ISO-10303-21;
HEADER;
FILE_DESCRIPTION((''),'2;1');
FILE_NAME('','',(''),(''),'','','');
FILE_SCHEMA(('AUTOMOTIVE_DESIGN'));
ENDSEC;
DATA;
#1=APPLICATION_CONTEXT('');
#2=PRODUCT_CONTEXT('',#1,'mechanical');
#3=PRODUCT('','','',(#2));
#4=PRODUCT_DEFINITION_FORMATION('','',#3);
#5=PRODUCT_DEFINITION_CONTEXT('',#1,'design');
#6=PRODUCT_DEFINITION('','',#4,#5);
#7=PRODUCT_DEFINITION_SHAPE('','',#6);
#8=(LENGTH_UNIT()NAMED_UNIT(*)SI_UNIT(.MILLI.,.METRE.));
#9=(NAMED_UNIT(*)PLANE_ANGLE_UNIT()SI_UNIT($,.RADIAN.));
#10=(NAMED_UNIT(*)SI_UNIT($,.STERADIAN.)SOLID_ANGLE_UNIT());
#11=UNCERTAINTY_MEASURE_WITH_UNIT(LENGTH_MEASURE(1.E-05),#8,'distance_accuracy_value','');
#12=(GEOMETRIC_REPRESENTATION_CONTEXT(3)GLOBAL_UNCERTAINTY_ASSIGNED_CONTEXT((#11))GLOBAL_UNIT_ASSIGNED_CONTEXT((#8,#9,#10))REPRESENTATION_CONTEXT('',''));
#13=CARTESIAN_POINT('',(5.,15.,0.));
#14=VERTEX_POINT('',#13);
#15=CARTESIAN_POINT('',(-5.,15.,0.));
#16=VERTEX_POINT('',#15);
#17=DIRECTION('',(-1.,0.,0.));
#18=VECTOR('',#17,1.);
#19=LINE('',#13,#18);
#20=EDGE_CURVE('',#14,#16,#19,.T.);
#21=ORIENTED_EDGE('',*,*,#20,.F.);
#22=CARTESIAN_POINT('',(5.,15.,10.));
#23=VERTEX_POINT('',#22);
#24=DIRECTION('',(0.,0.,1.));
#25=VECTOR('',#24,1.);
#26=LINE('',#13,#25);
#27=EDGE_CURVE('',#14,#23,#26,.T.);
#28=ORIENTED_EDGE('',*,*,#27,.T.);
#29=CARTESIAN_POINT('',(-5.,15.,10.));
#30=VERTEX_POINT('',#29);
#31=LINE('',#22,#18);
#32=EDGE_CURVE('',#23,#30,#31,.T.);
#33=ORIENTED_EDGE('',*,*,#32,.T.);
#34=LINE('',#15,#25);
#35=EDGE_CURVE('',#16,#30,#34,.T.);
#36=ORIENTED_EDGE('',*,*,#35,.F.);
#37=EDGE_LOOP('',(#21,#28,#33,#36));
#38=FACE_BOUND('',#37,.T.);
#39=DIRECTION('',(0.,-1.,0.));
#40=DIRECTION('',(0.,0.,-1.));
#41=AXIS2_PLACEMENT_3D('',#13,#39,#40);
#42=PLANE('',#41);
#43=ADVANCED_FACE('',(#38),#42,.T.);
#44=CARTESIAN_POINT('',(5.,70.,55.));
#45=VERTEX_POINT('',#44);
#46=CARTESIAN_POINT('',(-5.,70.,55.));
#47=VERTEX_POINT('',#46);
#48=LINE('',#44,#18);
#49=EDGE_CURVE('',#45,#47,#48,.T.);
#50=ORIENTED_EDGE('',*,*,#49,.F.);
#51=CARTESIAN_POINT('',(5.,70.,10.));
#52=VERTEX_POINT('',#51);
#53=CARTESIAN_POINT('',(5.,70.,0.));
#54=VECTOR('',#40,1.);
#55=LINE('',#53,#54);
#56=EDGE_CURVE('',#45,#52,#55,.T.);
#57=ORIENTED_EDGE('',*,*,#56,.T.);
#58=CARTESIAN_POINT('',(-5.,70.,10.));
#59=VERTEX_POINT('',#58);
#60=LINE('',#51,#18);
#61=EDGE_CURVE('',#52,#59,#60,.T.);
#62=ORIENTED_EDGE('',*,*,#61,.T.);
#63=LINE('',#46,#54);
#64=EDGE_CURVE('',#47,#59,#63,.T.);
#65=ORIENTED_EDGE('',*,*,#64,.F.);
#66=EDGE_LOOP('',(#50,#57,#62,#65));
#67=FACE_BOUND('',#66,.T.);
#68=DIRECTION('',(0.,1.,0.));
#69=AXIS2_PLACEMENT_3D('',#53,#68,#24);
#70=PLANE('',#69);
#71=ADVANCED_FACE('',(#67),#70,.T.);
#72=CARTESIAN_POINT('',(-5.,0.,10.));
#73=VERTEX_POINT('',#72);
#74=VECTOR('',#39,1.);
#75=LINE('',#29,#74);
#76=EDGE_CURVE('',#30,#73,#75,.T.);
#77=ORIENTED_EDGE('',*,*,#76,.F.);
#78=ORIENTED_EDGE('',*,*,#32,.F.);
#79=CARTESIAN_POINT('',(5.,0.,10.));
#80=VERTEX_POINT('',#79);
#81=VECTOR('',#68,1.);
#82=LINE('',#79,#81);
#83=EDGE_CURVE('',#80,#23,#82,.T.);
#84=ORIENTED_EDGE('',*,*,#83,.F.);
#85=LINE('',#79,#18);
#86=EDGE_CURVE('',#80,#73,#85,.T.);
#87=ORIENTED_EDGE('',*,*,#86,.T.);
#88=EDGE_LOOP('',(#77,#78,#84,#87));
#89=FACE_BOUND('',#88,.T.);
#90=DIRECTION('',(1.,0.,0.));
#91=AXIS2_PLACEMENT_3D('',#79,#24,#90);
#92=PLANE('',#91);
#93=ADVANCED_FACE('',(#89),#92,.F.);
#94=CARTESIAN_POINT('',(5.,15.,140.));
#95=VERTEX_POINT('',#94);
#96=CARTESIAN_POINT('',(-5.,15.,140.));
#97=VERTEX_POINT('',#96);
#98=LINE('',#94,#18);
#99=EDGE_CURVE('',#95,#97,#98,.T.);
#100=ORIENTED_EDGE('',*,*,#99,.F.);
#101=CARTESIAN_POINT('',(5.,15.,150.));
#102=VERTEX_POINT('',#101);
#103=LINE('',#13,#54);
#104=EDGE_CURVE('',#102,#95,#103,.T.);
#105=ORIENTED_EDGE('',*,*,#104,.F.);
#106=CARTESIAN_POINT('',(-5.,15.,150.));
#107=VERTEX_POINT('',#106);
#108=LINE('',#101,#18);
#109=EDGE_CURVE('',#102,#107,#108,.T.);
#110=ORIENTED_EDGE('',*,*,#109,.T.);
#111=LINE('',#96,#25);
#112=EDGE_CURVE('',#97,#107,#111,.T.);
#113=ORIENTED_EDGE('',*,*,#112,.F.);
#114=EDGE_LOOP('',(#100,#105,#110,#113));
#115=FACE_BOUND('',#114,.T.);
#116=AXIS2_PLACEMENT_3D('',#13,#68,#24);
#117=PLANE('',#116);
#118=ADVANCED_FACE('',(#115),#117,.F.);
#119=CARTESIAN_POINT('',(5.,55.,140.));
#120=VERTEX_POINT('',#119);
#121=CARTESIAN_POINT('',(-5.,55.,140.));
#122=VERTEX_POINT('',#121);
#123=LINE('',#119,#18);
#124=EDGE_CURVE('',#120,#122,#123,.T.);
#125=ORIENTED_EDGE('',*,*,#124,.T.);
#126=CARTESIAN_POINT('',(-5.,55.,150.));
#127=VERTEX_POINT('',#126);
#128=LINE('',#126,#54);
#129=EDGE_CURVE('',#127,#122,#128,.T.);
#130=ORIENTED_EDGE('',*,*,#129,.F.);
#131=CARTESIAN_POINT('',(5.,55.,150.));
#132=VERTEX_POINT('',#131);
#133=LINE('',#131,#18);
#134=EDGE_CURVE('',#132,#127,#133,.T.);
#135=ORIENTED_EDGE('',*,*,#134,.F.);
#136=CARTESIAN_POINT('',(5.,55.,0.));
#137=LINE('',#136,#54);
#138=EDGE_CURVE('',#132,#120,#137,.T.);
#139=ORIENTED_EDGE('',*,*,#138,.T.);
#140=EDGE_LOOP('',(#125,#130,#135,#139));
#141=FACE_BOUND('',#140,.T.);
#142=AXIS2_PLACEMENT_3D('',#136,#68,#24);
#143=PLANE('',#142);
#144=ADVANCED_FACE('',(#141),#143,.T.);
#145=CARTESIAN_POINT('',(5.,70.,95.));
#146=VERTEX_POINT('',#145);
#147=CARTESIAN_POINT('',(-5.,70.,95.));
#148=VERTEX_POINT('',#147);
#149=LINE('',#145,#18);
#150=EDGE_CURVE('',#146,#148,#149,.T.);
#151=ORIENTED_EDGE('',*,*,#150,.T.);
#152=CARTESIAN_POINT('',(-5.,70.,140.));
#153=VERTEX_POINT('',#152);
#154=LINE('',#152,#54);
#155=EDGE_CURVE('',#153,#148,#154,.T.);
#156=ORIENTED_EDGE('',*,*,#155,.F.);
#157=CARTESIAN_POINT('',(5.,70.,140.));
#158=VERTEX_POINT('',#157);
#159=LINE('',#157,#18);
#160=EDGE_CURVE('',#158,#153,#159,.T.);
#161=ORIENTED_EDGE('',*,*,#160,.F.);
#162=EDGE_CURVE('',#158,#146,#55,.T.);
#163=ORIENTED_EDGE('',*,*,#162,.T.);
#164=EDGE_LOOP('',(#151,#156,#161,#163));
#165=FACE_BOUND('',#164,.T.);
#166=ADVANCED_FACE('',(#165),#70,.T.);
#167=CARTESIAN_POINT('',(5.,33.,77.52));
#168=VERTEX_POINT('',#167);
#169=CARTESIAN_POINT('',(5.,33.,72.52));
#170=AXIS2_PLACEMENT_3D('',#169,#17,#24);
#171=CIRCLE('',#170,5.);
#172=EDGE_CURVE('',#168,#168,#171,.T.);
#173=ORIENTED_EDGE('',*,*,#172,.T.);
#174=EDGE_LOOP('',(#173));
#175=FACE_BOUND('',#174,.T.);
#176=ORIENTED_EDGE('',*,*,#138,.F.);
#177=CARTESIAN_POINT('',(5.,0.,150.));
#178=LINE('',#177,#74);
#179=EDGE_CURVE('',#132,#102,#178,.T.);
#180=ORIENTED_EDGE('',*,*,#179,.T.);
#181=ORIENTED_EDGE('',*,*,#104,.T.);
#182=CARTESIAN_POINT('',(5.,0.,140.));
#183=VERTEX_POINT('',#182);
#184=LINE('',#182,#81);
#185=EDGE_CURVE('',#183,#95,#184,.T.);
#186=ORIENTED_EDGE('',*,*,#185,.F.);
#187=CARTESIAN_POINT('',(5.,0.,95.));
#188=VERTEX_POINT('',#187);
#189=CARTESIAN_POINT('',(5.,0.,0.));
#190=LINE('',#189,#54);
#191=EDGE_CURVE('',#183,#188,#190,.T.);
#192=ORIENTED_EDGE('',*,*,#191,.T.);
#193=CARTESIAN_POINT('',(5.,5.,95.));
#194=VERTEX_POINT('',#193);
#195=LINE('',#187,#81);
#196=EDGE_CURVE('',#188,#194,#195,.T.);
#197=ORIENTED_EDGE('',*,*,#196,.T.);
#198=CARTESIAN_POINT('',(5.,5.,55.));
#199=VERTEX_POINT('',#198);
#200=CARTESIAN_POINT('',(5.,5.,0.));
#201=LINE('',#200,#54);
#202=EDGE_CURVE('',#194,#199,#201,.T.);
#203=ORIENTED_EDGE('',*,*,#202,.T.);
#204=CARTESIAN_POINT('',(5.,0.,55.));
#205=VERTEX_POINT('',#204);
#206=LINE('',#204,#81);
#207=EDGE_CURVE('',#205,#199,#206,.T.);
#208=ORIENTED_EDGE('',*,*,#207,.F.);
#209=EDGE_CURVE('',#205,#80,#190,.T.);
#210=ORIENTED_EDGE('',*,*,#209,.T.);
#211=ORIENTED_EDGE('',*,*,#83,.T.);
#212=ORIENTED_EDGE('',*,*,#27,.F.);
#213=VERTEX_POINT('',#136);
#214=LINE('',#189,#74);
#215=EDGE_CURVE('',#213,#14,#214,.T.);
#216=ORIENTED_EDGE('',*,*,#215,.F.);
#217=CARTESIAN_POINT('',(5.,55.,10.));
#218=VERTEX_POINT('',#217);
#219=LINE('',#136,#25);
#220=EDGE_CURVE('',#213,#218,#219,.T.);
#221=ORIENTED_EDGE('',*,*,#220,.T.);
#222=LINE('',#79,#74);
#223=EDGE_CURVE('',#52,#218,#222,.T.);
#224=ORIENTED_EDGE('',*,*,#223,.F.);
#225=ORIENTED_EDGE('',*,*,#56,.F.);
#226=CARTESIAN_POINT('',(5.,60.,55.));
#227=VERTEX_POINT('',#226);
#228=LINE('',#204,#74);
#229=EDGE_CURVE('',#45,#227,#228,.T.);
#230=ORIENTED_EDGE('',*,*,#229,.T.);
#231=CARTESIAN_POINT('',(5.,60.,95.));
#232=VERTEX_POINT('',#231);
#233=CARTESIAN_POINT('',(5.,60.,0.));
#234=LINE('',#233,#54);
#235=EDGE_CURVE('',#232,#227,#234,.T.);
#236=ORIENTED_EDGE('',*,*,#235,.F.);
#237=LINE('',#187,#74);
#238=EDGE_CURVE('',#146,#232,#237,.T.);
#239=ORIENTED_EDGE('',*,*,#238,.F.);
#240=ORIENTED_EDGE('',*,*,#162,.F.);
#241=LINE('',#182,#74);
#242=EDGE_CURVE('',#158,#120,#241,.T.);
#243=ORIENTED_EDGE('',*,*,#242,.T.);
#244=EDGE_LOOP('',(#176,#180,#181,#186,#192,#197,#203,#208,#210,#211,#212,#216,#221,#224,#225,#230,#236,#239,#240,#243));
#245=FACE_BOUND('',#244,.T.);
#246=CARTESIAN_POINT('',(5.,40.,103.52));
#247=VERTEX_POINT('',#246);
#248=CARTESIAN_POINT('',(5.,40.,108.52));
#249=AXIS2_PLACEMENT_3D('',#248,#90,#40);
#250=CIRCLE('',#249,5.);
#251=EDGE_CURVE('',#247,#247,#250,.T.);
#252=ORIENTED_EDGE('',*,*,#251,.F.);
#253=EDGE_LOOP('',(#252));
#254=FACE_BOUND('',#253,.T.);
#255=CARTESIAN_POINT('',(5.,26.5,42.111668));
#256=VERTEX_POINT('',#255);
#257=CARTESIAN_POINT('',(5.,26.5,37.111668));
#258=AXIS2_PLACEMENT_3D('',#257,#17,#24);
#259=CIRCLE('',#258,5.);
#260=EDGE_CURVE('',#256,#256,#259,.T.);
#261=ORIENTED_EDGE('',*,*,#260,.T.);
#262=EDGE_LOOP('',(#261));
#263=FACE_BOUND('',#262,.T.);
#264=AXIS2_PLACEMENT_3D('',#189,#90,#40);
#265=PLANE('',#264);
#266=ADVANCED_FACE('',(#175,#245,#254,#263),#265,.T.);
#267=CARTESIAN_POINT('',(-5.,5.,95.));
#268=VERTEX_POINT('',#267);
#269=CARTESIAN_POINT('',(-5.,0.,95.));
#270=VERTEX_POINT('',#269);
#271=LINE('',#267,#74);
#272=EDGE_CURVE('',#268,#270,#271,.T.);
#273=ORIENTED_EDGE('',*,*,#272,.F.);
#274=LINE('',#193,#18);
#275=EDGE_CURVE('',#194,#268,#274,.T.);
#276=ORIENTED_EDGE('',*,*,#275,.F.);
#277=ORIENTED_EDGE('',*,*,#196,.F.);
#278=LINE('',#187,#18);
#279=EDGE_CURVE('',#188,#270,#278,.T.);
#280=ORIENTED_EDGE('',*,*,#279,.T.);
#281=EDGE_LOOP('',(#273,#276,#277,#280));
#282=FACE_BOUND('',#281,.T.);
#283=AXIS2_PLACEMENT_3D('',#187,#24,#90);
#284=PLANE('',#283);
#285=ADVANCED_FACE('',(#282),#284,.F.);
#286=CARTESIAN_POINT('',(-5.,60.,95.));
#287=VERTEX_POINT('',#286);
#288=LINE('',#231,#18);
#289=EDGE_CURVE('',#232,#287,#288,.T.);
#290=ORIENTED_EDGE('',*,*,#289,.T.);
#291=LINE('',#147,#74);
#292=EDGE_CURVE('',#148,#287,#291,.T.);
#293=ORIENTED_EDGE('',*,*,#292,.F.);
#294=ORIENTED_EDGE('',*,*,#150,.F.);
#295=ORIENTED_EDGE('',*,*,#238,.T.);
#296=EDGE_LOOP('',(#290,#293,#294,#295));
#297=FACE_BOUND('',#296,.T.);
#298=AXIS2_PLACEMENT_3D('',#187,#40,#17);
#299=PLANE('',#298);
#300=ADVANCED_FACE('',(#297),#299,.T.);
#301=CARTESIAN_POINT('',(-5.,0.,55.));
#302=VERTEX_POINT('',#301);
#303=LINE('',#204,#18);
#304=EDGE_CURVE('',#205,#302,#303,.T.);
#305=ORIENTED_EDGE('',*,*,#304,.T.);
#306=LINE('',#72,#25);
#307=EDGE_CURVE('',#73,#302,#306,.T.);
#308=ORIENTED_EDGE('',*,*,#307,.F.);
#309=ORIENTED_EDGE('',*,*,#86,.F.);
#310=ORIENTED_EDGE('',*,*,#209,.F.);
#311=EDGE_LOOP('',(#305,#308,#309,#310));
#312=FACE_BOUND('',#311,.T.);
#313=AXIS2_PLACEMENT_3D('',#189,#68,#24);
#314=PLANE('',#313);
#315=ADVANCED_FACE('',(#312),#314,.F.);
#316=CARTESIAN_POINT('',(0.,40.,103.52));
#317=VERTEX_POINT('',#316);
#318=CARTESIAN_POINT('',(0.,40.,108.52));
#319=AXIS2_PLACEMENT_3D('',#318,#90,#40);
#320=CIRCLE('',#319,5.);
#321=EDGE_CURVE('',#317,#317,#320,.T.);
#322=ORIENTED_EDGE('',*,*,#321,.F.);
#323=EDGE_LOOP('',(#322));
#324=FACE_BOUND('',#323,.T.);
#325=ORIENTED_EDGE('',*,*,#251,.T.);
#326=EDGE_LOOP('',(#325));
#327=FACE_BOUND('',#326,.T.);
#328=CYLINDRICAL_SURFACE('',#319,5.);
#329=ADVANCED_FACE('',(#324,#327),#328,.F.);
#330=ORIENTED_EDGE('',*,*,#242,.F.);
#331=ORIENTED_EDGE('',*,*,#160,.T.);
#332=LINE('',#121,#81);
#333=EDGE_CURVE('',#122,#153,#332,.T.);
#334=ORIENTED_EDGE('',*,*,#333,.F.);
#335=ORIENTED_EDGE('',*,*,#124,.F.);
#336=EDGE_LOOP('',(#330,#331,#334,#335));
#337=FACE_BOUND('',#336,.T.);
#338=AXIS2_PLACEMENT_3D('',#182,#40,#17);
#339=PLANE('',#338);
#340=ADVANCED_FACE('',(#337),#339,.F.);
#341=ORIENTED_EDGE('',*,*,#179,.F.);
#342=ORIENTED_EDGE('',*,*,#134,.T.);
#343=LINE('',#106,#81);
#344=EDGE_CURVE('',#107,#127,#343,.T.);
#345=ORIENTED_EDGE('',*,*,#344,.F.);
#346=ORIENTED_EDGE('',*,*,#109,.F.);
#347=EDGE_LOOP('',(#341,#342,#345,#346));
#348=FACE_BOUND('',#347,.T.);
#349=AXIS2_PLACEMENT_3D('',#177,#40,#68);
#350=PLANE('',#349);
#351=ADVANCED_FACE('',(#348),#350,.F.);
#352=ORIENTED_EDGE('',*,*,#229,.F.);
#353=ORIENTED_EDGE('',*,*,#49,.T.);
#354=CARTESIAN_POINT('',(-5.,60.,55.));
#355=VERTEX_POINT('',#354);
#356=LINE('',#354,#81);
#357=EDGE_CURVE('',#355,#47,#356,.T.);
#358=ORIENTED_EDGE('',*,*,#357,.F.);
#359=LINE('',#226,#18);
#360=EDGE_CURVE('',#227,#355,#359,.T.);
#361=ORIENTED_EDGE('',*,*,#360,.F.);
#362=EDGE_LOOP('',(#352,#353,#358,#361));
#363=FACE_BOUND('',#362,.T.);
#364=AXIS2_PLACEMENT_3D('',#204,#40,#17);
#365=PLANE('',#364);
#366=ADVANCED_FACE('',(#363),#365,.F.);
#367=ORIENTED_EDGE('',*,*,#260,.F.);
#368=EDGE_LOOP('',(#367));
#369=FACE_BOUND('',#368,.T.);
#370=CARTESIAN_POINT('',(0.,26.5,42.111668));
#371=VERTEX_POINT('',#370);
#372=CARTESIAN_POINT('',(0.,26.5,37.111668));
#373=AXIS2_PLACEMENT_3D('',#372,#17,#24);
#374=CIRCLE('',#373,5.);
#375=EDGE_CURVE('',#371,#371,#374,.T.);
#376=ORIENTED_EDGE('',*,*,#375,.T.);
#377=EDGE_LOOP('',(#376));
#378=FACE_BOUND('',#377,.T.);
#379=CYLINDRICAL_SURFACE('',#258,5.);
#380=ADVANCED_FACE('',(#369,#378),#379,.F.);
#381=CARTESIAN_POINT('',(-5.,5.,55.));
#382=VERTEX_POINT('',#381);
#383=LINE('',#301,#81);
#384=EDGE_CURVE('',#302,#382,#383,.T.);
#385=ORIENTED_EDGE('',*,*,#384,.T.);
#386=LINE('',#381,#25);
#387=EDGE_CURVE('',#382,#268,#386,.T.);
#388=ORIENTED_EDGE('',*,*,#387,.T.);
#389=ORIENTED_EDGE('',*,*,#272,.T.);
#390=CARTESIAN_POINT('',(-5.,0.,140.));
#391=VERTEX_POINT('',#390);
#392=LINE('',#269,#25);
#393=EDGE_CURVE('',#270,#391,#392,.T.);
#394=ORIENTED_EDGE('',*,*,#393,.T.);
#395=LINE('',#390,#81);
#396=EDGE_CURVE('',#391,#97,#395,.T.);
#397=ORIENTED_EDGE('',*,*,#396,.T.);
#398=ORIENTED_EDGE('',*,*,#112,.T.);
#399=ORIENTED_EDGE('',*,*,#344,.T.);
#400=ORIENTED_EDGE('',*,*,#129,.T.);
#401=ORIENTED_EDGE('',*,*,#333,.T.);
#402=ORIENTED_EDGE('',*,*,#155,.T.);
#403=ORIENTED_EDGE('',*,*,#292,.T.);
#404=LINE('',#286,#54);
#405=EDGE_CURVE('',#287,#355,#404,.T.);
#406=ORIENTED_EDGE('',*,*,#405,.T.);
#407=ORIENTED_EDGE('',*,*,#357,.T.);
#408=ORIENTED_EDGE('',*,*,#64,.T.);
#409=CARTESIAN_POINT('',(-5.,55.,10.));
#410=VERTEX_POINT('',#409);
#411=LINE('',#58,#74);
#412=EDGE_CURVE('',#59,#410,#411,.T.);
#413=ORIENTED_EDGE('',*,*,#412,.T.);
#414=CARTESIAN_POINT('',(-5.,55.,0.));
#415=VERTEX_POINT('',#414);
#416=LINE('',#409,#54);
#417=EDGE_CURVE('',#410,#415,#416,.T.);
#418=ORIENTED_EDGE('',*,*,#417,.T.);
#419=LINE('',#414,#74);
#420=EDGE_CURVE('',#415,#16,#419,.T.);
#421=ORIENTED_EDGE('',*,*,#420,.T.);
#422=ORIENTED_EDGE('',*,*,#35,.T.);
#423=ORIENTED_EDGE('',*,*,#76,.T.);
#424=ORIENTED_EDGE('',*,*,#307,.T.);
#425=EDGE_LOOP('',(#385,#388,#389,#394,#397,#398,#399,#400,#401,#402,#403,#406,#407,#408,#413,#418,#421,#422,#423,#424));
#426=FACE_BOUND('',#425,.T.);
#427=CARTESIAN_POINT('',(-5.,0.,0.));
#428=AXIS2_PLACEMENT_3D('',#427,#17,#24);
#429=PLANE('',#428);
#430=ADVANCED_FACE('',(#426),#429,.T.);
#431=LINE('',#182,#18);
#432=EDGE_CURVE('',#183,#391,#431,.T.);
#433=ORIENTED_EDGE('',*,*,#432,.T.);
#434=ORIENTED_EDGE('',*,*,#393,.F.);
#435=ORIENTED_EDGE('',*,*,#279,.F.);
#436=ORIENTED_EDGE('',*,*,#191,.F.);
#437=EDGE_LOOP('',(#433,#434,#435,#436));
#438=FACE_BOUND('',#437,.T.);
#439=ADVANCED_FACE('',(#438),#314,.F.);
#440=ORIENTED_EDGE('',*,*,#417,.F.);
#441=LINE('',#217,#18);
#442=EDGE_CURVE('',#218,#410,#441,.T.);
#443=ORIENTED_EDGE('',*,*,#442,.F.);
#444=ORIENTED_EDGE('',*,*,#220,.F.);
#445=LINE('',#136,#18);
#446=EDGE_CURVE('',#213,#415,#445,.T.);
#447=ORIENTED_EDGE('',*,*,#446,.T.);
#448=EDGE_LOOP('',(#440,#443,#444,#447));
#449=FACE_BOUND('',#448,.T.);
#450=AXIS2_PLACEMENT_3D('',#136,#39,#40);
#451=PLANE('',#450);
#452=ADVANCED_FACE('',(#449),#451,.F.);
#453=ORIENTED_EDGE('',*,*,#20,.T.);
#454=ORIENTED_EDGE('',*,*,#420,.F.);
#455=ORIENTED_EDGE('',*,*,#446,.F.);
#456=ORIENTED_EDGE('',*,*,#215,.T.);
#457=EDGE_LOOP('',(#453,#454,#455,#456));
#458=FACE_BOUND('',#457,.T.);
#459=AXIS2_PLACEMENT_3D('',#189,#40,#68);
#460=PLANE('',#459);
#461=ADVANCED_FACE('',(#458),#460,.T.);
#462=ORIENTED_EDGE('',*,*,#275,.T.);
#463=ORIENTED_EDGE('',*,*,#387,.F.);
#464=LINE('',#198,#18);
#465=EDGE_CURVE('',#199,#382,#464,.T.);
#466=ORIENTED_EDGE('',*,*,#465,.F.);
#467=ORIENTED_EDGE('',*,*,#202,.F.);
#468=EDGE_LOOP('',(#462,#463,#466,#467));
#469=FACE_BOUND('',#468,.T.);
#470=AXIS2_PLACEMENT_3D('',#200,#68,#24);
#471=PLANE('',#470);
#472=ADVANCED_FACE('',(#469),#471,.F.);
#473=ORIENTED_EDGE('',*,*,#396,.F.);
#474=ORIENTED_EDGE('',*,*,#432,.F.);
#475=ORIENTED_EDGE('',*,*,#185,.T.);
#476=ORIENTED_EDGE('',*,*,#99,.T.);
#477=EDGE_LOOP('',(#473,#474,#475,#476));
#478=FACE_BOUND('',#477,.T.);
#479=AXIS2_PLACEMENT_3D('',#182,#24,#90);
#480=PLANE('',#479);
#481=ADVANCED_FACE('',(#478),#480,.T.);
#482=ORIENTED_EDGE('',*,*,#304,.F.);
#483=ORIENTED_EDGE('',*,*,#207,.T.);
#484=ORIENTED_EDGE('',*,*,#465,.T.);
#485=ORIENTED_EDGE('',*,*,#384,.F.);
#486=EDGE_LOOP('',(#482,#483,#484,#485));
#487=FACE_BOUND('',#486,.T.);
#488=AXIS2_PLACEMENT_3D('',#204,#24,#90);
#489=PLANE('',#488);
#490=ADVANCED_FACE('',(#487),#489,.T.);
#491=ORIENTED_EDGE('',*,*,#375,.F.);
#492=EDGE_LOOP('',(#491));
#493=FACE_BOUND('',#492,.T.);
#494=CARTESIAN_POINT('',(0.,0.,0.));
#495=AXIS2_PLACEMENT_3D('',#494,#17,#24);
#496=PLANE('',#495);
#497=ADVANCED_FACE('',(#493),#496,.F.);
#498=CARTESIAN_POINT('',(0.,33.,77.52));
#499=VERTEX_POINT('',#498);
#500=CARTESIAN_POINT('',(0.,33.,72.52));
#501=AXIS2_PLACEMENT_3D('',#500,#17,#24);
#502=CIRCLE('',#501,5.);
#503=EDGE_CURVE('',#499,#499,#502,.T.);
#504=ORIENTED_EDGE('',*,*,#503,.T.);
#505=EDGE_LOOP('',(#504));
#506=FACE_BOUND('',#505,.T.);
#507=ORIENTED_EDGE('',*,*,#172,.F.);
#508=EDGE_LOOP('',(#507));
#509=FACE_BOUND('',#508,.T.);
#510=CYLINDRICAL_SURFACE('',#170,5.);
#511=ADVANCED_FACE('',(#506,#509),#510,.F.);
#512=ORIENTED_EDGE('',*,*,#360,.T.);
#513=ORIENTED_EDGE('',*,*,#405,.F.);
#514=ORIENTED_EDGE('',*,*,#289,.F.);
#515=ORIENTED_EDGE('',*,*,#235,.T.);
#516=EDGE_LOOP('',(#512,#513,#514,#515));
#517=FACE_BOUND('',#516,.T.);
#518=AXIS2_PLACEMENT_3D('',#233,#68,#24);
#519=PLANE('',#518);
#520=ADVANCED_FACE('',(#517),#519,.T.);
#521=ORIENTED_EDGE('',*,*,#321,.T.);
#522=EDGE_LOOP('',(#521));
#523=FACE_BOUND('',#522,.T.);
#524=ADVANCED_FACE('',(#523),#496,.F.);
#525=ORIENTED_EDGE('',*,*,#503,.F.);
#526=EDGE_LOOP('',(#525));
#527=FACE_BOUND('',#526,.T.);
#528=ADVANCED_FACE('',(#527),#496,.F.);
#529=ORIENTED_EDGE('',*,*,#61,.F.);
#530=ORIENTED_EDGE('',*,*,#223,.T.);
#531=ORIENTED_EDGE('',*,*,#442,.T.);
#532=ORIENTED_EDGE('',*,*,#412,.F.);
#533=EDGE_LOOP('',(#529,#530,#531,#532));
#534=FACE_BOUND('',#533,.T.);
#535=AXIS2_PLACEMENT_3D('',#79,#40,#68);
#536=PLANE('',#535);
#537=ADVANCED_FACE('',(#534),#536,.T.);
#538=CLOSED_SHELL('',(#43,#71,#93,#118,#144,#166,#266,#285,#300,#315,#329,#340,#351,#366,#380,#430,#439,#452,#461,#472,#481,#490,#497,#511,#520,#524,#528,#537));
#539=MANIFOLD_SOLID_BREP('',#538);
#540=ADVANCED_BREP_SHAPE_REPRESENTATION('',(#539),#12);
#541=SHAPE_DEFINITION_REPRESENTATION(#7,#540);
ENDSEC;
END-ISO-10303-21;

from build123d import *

# Parameters (mm, degrees)
BOSS_EXTRUDE1_DEPTH = 5
SKETCH5_R           = 5
CUT_EXTRUDE4_DEPTH  = 5
SKETCH2_R           = 5
CUT_EXTRUDE5_DEPTH  = 5
BOSS_EXTRUDE2_DEPTH = 5


with BuildPart() as part:
    # Sketch1 → Boss-Extrude1 (new body)
    with BuildSketch(Plane(origin=(0, 0, 0), x_dir=(0, 0, -1), z_dir=(1, 0, 0))):
        Polygon((-95, 70), (-140, 70), (-140, 55), (-150, 55), (-150, 15), (-140, 15), (-140, 0), (-95, 0), (-95, 5), (-55, 5), (-55, 0), (-10, 0), (-10, 15), (0, 15), (0, 55), (-10, 55), (-10, 70), (-55, 70), (-55, 60), (-95, 60), align=None)
    extrude(amount=BOSS_EXTRUDE1_DEPTH)

    # Sketch5 → Cut-Extrude4 (cut)
    with BuildSketch(Plane.ZY):
        with Locations((37.111667647, 26.5)):
            Circle(SKETCH5_R)
        with Locations((72.52, 33)):
            Circle(SKETCH5_R)
    extrude(amount=-CUT_EXTRUDE4_DEPTH, mode=Mode.SUBTRACT)

    # Sketch2 → Cut-Extrude5 (cut)
    with BuildSketch(Plane(origin=(5, 0, 0), x_dir=(0, 0, -1), z_dir=(1, 0, 0))):
        with Locations((-108.52, 40)):
            Circle(SKETCH2_R)
    extrude(amount=-CUT_EXTRUDE5_DEPTH, mode=Mode.SUBTRACT)

    # Sketch6 → Boss-Extrude2 (add)
    with BuildSketch(Plane.ZY):
        Polygon((55, 0), (55, 5), (95, 5), (95, 0), (140, 0), (140, 15), (150, 15), (150, 55), (140, 55), (140, 70), (95, 70), (95, 60), (55, 60), (55, 70), (10, 70), (10, 55), (0, 55), (0, 15), (10, 15), (10, 0), align=None)
    extrude(amount=BOSS_EXTRUDE2_DEPTH)


solid = part.part
